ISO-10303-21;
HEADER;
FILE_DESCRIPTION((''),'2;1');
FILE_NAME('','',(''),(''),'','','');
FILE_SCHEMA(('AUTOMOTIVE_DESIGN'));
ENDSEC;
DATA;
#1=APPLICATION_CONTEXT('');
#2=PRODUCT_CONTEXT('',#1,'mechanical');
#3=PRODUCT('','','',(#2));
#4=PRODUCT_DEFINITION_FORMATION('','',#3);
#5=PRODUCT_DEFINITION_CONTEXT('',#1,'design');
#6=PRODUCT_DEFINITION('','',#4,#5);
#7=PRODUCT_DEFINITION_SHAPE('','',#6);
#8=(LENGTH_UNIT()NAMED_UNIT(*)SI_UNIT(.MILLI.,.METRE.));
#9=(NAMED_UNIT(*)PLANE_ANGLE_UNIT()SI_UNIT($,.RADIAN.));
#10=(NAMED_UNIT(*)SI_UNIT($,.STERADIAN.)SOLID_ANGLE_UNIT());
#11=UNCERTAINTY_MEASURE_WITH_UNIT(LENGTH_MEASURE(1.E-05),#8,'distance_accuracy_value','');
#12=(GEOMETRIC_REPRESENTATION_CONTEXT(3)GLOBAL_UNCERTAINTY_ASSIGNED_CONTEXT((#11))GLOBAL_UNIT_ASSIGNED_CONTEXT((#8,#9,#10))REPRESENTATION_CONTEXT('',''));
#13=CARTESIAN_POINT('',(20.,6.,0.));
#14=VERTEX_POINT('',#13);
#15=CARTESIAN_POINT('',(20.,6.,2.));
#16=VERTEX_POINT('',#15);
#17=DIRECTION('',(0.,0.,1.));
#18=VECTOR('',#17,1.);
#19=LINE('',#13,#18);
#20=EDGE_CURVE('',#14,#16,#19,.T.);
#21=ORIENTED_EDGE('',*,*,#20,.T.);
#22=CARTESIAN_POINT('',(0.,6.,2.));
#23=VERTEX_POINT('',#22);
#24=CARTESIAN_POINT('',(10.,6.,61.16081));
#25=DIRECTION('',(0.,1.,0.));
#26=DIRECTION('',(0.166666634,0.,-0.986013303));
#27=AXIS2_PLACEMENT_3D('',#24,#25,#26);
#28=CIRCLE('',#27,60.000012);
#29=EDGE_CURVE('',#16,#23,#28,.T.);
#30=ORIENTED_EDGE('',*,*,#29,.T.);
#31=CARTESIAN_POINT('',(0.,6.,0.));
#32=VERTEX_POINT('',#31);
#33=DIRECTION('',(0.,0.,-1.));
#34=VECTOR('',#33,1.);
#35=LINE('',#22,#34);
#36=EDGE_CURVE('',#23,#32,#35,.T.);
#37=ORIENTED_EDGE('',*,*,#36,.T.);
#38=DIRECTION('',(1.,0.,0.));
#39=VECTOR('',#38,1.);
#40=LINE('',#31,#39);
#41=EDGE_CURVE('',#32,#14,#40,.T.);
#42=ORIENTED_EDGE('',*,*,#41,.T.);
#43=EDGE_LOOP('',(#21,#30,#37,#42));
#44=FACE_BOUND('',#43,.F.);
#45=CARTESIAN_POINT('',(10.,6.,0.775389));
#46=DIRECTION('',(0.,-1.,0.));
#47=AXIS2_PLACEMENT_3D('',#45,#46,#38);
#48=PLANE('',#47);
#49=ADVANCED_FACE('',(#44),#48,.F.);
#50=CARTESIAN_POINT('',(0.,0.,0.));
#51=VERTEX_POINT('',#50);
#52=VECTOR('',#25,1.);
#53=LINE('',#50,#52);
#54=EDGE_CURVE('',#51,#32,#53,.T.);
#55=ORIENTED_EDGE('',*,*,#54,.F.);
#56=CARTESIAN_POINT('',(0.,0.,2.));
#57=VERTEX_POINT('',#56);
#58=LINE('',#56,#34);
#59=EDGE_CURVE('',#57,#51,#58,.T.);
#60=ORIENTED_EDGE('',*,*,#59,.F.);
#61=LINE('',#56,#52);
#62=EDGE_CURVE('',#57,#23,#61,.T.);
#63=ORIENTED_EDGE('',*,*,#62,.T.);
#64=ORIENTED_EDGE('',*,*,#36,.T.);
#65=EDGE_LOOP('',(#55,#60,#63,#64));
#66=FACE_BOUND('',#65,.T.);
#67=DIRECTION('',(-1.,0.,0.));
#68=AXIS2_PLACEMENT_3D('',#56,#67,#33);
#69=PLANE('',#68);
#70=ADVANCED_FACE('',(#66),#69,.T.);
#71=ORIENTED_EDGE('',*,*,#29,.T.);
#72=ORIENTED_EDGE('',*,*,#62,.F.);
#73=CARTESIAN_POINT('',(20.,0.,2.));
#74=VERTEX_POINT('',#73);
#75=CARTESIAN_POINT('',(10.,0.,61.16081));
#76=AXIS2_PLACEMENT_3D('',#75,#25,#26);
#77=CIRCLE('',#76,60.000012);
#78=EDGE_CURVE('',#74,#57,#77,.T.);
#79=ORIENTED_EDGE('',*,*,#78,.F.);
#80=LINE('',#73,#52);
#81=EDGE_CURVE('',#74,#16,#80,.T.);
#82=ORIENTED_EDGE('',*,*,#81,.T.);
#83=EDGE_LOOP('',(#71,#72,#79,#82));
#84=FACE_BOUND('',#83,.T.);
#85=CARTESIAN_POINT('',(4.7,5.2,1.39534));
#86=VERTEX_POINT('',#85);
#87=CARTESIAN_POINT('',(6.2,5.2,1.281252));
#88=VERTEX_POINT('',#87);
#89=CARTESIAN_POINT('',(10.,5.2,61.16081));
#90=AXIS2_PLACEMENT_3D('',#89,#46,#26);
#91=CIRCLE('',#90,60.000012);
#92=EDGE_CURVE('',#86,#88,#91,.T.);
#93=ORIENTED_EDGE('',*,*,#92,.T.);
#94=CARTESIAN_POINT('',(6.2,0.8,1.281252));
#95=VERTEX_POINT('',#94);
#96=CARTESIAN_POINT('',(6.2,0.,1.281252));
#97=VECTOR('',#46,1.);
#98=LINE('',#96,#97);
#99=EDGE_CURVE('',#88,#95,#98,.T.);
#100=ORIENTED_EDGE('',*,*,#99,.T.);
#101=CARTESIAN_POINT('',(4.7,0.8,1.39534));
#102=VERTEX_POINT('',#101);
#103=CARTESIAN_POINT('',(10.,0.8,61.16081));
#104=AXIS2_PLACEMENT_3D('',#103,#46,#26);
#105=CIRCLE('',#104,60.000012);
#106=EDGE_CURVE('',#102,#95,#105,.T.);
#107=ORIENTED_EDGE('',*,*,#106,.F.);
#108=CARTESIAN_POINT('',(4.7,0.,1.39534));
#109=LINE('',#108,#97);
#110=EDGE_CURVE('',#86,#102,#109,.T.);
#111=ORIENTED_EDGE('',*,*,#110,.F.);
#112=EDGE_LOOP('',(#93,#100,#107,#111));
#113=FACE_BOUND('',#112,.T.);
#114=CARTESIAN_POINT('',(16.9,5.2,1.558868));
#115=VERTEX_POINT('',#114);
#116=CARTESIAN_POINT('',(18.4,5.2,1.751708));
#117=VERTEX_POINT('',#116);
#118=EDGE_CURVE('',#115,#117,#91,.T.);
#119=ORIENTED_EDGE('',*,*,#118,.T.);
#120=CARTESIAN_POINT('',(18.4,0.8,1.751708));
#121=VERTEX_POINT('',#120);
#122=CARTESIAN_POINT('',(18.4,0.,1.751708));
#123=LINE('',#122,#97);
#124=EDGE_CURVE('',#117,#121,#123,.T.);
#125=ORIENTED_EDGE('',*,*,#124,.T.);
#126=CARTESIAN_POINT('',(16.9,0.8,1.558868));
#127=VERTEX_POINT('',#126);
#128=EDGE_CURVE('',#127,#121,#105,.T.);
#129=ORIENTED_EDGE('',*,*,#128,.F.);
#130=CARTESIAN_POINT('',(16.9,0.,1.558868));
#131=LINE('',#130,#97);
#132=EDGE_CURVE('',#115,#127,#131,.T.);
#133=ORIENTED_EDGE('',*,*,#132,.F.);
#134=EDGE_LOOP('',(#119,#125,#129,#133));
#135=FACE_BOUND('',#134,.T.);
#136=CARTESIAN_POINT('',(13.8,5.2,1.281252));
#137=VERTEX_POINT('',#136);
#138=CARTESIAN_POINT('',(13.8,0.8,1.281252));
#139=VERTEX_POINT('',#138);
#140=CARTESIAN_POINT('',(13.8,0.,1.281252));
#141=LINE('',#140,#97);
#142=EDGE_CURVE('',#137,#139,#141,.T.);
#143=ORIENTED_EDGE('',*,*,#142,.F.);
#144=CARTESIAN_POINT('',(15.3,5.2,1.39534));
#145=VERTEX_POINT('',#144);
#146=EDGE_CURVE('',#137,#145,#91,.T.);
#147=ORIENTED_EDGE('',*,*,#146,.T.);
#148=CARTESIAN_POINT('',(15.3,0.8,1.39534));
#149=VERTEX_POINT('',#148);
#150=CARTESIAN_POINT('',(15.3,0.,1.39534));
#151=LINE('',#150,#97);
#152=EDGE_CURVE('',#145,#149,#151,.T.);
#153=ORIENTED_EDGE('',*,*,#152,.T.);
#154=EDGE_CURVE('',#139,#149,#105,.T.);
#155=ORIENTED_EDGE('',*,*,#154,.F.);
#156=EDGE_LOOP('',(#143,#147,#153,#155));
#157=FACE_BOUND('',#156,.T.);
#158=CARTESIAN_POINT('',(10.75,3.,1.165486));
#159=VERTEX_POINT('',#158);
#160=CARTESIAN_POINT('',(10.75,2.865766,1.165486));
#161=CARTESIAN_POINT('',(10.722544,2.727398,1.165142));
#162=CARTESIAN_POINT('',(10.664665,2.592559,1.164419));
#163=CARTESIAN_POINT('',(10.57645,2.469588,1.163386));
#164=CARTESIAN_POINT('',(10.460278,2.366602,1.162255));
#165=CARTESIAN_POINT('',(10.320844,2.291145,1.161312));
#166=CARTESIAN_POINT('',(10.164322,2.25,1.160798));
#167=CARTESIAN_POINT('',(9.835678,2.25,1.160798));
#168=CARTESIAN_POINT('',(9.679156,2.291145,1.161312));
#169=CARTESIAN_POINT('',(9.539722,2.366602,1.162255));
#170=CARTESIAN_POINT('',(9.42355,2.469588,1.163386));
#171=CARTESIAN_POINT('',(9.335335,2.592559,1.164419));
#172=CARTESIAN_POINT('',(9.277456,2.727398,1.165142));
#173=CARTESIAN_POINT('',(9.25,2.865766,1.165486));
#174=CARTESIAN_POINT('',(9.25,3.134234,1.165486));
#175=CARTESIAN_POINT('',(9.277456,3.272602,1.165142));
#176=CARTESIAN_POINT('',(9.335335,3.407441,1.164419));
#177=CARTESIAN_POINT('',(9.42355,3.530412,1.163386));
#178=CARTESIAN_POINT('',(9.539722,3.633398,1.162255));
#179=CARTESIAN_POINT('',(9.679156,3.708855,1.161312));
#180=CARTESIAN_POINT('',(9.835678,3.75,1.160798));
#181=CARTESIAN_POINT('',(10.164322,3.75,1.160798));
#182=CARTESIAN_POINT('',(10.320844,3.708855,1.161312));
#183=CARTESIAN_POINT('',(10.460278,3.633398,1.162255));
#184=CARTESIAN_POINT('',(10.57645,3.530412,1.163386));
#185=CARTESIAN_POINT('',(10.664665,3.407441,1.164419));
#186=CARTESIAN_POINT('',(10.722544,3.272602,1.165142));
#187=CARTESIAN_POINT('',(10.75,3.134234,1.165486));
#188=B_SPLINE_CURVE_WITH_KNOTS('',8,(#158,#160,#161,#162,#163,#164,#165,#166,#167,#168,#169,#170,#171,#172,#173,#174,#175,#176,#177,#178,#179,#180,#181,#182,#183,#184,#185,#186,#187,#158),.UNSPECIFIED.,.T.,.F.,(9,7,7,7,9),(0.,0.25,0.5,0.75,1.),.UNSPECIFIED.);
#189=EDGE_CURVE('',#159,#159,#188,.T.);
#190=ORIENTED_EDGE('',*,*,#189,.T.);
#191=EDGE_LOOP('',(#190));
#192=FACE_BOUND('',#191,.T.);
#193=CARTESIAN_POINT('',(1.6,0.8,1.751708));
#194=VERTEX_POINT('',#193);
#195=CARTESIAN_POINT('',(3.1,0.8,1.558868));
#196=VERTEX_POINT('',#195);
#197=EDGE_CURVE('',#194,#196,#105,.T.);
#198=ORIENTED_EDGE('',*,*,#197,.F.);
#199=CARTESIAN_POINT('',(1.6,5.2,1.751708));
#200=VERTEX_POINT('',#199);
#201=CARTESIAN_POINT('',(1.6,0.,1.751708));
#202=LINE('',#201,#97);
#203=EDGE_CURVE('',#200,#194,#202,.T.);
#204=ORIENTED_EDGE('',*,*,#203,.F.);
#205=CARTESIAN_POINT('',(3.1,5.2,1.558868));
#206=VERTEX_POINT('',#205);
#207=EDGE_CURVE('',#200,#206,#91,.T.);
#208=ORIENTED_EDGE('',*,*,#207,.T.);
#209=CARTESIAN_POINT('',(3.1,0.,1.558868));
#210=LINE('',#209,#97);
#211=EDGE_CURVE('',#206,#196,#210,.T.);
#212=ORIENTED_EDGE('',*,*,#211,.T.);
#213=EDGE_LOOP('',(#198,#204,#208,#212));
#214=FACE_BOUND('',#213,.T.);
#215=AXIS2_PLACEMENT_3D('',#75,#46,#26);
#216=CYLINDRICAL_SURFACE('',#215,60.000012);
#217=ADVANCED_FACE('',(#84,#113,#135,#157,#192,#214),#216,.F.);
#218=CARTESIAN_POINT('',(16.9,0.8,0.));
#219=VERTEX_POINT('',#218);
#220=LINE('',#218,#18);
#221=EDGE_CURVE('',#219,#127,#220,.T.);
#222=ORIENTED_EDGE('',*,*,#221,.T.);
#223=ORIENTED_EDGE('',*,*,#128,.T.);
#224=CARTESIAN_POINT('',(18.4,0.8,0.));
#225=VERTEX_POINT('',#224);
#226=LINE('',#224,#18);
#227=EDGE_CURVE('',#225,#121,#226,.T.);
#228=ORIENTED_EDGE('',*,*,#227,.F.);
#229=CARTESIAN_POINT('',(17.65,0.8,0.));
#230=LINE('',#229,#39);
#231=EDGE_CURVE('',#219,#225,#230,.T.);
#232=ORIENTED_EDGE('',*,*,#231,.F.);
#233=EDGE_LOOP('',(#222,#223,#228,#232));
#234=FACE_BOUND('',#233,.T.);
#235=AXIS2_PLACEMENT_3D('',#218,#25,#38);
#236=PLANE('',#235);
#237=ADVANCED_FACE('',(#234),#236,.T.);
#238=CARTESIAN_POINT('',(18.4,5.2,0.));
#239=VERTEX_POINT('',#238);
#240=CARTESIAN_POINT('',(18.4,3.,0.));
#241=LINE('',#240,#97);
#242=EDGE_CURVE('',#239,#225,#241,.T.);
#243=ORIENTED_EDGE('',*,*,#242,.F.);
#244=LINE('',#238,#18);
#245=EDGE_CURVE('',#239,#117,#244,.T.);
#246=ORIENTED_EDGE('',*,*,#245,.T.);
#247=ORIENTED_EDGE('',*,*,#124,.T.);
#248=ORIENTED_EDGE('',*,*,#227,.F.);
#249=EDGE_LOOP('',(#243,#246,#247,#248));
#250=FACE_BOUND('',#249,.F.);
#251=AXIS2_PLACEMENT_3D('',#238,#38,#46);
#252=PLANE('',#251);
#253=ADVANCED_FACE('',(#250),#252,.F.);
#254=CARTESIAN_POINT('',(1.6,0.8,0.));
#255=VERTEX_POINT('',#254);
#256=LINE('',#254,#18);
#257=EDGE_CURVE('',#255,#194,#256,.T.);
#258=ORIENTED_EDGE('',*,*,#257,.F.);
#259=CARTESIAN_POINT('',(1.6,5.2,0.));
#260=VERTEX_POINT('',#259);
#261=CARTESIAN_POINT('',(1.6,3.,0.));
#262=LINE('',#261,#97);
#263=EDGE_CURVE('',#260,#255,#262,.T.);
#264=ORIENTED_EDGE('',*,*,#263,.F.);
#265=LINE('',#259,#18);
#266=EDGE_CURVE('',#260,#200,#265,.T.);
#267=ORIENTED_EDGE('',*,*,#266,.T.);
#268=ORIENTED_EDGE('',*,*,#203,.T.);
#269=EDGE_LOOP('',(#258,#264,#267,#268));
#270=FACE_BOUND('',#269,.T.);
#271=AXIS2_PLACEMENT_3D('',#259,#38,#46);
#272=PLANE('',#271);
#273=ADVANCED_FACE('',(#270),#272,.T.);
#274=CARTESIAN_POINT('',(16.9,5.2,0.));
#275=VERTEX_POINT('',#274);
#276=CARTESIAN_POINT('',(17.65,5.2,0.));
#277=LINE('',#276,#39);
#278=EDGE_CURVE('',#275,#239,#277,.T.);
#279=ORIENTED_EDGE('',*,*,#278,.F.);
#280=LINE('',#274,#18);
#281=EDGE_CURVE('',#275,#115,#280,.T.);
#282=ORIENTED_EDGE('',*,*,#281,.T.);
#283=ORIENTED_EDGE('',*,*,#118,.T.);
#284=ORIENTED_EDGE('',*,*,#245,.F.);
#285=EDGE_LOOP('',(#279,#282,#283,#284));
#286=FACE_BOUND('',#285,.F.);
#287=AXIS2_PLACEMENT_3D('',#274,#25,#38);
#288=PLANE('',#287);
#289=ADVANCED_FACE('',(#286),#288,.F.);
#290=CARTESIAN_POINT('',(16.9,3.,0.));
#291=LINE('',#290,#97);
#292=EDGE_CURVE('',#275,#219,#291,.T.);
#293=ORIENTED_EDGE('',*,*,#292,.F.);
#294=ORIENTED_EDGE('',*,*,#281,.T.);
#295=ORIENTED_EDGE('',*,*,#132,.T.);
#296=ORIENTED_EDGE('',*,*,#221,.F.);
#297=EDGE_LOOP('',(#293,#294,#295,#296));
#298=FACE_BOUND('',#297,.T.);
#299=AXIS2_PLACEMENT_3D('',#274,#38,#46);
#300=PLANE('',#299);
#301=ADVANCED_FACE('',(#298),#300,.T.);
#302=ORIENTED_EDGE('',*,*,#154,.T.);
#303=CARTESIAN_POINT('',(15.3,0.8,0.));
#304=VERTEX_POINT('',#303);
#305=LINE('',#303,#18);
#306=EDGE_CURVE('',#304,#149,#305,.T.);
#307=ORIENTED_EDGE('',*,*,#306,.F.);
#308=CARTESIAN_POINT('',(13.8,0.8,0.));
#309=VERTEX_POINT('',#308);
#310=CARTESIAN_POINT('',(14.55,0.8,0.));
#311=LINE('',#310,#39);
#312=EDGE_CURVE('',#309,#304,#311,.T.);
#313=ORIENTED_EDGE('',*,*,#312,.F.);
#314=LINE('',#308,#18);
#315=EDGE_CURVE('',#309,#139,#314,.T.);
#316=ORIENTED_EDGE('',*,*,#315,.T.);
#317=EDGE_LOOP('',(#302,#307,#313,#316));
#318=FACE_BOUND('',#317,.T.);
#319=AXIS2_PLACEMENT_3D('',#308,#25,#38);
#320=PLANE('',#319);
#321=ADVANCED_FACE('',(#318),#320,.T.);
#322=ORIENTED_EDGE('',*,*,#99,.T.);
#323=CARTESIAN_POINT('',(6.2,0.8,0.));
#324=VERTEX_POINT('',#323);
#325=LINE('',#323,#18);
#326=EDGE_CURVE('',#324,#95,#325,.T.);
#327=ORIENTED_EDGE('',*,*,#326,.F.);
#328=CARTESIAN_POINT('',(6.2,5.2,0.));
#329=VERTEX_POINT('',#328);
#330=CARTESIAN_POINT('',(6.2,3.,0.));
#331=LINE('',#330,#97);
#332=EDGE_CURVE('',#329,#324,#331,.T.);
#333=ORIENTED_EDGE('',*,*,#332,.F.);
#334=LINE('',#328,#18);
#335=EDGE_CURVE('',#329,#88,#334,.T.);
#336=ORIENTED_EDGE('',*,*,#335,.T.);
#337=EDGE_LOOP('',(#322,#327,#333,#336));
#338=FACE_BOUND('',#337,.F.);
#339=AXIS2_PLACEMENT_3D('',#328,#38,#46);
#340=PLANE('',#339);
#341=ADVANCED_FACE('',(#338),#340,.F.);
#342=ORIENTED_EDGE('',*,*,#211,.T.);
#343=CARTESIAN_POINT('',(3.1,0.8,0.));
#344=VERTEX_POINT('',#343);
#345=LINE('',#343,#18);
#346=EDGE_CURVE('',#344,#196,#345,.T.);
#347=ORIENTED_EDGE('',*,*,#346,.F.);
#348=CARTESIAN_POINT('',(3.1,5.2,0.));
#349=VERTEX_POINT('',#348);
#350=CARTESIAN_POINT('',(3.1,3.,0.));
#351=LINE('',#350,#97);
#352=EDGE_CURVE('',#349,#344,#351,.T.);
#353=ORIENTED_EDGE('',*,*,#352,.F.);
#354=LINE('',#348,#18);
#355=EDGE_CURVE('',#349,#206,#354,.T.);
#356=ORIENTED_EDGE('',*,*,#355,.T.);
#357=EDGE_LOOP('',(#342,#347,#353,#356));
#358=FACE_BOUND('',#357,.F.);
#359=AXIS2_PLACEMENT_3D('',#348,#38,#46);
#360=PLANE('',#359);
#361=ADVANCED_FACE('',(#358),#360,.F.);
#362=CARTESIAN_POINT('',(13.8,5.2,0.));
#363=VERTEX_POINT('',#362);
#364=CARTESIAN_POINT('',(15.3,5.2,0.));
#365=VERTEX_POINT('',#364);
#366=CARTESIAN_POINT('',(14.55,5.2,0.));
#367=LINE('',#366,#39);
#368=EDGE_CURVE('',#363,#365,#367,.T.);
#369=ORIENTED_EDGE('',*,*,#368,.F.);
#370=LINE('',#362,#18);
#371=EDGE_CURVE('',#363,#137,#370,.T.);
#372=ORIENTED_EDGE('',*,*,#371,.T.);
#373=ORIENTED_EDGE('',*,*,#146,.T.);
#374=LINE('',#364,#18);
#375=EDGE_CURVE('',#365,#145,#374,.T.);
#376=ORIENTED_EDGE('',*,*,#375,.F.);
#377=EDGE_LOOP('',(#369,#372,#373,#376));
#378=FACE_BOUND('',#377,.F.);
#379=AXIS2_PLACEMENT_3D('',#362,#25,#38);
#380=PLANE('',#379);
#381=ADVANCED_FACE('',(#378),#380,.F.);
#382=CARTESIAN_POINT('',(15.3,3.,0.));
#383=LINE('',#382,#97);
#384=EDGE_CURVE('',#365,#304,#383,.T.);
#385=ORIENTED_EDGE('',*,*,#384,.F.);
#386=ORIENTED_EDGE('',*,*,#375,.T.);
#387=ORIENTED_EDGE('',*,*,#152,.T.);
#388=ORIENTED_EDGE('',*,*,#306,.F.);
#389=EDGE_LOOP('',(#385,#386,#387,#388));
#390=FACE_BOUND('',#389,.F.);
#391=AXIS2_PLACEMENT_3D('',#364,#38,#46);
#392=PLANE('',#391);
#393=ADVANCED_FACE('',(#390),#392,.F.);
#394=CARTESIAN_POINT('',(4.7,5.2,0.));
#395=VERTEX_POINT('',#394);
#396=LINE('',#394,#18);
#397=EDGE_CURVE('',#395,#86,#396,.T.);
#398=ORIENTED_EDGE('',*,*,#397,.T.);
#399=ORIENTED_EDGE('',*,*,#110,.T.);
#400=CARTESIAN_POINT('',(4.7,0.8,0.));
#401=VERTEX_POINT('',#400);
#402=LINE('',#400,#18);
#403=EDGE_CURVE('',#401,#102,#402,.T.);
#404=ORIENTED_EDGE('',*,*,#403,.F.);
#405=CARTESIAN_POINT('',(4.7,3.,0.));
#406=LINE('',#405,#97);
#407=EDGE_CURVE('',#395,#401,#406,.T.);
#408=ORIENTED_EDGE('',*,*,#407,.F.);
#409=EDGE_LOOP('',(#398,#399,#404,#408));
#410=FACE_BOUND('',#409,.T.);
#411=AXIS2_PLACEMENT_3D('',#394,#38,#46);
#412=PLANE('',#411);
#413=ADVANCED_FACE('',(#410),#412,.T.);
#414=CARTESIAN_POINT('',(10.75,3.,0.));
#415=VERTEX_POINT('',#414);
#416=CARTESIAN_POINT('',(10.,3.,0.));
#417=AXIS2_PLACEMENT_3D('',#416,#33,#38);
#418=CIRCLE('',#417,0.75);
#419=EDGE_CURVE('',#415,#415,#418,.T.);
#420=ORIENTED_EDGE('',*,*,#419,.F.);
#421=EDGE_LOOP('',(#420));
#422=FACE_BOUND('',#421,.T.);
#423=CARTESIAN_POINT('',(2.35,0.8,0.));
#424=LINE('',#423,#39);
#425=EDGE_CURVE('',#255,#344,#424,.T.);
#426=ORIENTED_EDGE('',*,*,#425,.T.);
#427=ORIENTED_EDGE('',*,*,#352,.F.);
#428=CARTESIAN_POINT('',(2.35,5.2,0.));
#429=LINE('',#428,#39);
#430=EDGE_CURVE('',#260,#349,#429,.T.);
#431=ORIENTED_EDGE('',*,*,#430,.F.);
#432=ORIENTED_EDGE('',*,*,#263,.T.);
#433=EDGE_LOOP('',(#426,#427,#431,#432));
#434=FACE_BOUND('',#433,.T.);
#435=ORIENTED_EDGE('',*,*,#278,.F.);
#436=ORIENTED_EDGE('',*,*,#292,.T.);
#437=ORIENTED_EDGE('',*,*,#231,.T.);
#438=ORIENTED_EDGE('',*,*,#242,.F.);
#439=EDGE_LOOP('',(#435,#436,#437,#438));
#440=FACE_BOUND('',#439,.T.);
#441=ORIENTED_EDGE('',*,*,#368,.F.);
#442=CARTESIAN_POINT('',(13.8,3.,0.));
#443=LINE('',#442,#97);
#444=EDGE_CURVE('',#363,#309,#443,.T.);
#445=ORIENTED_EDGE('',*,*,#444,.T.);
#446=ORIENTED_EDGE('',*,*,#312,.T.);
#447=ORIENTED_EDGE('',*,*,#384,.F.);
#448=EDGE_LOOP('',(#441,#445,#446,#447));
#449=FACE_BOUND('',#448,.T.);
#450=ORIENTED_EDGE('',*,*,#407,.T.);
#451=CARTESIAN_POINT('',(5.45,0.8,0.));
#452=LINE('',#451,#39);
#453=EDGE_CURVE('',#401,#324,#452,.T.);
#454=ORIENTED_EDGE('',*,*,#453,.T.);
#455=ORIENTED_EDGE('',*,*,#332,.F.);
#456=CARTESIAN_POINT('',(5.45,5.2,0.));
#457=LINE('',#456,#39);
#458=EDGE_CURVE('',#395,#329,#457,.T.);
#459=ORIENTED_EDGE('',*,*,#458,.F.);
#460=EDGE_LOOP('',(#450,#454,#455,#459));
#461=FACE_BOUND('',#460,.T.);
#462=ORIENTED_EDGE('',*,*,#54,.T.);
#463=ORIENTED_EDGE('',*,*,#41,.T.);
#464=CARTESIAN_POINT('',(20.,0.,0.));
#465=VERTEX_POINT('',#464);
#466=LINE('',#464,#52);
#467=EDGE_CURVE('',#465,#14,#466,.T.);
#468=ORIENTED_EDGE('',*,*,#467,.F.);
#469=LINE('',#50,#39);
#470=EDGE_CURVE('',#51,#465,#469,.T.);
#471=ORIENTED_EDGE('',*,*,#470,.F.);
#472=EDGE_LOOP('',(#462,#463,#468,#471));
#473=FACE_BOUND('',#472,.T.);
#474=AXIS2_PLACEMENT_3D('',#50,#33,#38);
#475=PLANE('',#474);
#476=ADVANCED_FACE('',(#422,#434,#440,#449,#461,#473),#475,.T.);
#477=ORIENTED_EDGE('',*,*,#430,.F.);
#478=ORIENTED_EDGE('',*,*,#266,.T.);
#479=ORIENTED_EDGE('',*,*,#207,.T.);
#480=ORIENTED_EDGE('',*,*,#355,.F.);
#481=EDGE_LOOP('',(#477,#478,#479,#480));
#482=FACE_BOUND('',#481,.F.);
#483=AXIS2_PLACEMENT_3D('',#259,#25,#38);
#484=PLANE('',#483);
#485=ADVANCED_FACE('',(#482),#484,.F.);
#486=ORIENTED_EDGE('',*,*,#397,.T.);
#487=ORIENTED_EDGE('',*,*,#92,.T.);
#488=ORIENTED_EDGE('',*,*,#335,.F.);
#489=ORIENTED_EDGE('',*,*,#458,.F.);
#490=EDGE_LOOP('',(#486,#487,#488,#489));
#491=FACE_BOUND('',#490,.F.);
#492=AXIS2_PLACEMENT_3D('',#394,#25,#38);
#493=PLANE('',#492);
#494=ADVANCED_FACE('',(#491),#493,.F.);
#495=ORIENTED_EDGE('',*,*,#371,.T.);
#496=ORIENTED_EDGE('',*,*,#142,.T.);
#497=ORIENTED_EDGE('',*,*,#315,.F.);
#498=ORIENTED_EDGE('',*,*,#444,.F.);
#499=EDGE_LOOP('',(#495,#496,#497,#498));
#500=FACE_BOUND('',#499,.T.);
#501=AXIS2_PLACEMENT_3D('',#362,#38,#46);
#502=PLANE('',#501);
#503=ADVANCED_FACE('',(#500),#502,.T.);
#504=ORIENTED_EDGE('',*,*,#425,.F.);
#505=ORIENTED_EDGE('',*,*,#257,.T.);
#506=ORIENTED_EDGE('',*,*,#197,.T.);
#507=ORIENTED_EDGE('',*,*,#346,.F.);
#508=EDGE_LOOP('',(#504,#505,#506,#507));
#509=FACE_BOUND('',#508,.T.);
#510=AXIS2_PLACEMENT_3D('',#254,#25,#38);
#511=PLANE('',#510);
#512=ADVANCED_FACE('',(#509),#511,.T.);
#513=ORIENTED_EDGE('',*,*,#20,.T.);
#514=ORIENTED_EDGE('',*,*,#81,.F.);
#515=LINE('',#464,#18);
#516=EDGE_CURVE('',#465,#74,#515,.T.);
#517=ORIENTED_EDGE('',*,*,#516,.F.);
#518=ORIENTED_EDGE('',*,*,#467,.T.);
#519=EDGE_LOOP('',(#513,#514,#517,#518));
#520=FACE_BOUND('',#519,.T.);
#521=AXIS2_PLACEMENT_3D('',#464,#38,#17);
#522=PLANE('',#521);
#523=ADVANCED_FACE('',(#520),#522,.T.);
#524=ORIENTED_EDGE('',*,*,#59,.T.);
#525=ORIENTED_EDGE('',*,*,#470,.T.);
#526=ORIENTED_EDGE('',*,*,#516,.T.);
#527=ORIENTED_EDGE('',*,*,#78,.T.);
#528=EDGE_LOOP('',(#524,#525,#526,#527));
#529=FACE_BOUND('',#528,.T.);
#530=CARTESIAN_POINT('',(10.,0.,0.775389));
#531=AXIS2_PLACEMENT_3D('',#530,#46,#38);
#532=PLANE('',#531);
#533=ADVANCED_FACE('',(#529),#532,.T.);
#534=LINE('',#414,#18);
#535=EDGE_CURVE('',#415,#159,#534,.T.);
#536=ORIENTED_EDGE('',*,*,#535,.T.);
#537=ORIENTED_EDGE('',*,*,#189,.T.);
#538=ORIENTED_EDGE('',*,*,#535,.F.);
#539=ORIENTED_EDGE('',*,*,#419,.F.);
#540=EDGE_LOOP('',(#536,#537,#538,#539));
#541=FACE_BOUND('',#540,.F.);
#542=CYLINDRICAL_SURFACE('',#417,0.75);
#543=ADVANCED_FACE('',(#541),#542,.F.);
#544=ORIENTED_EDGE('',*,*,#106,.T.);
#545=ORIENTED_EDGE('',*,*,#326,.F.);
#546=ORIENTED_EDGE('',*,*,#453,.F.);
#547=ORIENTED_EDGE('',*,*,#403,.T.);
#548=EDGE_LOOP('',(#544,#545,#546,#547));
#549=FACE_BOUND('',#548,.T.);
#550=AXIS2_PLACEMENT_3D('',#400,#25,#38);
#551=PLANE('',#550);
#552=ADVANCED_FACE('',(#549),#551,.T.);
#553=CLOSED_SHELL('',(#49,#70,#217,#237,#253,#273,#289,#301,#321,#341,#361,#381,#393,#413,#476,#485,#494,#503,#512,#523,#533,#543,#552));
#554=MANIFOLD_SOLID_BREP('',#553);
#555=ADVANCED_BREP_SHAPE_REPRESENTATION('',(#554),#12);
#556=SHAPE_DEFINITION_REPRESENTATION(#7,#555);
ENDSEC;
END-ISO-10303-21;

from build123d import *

# Parameters (mm, degrees)
F1_DEPTH = 6
F2_R     = 0.75
F3_DEPTH = 25
F4_W     = 1.5
F4_H     = 4.4
F5_DEPTH = 25


with BuildPart() as f1:
    # F0 (on Front) → F1 (new body)
    with BuildSketch(Plane.XZ):
        with BuildLine():
            Line((0, 2), (0, 0))
            Line((0, 0), (20, 0))
            Line((20, 0), (20, 2))
            ThreePointArc((20, 2), (10, 1.160798), (0, 2))
        make_face()
    extrude(amount=-F1_DEPTH)

    # F2 (on face) → F3 (cut)
    with BuildSketch(Plane(origin=(0, 0, 0), x_dir=(1, 0, 0), z_dir=(0, 0, -1))):
        with Locations((10, -3)):
            Circle(F2_R)
    extrude(amount=-F3_DEPTH, mode=Mode.SUBTRACT)

    # F4 (on face) → F5 (cut)
    with BuildSketch(Plane(origin=(0, 0, 0), x_dir=(1, 0, 0), z_dir=(0, 0, -1))):
        with Locations((5.45, -3)):
            Rectangle(F4_W, F4_H)
        with Locations((2.35, -3)):
            Rectangle(F4_W, F4_H)
        with Locations((14.55, -3)):
            Rectangle(F4_W, F4_H)
        with Locations((17.65, -3)):
            Rectangle(F4_W, F4_H)
    extrude(amount=-F5_DEPTH, mode=Mode.SUBTRACT)


solid = f1.part
